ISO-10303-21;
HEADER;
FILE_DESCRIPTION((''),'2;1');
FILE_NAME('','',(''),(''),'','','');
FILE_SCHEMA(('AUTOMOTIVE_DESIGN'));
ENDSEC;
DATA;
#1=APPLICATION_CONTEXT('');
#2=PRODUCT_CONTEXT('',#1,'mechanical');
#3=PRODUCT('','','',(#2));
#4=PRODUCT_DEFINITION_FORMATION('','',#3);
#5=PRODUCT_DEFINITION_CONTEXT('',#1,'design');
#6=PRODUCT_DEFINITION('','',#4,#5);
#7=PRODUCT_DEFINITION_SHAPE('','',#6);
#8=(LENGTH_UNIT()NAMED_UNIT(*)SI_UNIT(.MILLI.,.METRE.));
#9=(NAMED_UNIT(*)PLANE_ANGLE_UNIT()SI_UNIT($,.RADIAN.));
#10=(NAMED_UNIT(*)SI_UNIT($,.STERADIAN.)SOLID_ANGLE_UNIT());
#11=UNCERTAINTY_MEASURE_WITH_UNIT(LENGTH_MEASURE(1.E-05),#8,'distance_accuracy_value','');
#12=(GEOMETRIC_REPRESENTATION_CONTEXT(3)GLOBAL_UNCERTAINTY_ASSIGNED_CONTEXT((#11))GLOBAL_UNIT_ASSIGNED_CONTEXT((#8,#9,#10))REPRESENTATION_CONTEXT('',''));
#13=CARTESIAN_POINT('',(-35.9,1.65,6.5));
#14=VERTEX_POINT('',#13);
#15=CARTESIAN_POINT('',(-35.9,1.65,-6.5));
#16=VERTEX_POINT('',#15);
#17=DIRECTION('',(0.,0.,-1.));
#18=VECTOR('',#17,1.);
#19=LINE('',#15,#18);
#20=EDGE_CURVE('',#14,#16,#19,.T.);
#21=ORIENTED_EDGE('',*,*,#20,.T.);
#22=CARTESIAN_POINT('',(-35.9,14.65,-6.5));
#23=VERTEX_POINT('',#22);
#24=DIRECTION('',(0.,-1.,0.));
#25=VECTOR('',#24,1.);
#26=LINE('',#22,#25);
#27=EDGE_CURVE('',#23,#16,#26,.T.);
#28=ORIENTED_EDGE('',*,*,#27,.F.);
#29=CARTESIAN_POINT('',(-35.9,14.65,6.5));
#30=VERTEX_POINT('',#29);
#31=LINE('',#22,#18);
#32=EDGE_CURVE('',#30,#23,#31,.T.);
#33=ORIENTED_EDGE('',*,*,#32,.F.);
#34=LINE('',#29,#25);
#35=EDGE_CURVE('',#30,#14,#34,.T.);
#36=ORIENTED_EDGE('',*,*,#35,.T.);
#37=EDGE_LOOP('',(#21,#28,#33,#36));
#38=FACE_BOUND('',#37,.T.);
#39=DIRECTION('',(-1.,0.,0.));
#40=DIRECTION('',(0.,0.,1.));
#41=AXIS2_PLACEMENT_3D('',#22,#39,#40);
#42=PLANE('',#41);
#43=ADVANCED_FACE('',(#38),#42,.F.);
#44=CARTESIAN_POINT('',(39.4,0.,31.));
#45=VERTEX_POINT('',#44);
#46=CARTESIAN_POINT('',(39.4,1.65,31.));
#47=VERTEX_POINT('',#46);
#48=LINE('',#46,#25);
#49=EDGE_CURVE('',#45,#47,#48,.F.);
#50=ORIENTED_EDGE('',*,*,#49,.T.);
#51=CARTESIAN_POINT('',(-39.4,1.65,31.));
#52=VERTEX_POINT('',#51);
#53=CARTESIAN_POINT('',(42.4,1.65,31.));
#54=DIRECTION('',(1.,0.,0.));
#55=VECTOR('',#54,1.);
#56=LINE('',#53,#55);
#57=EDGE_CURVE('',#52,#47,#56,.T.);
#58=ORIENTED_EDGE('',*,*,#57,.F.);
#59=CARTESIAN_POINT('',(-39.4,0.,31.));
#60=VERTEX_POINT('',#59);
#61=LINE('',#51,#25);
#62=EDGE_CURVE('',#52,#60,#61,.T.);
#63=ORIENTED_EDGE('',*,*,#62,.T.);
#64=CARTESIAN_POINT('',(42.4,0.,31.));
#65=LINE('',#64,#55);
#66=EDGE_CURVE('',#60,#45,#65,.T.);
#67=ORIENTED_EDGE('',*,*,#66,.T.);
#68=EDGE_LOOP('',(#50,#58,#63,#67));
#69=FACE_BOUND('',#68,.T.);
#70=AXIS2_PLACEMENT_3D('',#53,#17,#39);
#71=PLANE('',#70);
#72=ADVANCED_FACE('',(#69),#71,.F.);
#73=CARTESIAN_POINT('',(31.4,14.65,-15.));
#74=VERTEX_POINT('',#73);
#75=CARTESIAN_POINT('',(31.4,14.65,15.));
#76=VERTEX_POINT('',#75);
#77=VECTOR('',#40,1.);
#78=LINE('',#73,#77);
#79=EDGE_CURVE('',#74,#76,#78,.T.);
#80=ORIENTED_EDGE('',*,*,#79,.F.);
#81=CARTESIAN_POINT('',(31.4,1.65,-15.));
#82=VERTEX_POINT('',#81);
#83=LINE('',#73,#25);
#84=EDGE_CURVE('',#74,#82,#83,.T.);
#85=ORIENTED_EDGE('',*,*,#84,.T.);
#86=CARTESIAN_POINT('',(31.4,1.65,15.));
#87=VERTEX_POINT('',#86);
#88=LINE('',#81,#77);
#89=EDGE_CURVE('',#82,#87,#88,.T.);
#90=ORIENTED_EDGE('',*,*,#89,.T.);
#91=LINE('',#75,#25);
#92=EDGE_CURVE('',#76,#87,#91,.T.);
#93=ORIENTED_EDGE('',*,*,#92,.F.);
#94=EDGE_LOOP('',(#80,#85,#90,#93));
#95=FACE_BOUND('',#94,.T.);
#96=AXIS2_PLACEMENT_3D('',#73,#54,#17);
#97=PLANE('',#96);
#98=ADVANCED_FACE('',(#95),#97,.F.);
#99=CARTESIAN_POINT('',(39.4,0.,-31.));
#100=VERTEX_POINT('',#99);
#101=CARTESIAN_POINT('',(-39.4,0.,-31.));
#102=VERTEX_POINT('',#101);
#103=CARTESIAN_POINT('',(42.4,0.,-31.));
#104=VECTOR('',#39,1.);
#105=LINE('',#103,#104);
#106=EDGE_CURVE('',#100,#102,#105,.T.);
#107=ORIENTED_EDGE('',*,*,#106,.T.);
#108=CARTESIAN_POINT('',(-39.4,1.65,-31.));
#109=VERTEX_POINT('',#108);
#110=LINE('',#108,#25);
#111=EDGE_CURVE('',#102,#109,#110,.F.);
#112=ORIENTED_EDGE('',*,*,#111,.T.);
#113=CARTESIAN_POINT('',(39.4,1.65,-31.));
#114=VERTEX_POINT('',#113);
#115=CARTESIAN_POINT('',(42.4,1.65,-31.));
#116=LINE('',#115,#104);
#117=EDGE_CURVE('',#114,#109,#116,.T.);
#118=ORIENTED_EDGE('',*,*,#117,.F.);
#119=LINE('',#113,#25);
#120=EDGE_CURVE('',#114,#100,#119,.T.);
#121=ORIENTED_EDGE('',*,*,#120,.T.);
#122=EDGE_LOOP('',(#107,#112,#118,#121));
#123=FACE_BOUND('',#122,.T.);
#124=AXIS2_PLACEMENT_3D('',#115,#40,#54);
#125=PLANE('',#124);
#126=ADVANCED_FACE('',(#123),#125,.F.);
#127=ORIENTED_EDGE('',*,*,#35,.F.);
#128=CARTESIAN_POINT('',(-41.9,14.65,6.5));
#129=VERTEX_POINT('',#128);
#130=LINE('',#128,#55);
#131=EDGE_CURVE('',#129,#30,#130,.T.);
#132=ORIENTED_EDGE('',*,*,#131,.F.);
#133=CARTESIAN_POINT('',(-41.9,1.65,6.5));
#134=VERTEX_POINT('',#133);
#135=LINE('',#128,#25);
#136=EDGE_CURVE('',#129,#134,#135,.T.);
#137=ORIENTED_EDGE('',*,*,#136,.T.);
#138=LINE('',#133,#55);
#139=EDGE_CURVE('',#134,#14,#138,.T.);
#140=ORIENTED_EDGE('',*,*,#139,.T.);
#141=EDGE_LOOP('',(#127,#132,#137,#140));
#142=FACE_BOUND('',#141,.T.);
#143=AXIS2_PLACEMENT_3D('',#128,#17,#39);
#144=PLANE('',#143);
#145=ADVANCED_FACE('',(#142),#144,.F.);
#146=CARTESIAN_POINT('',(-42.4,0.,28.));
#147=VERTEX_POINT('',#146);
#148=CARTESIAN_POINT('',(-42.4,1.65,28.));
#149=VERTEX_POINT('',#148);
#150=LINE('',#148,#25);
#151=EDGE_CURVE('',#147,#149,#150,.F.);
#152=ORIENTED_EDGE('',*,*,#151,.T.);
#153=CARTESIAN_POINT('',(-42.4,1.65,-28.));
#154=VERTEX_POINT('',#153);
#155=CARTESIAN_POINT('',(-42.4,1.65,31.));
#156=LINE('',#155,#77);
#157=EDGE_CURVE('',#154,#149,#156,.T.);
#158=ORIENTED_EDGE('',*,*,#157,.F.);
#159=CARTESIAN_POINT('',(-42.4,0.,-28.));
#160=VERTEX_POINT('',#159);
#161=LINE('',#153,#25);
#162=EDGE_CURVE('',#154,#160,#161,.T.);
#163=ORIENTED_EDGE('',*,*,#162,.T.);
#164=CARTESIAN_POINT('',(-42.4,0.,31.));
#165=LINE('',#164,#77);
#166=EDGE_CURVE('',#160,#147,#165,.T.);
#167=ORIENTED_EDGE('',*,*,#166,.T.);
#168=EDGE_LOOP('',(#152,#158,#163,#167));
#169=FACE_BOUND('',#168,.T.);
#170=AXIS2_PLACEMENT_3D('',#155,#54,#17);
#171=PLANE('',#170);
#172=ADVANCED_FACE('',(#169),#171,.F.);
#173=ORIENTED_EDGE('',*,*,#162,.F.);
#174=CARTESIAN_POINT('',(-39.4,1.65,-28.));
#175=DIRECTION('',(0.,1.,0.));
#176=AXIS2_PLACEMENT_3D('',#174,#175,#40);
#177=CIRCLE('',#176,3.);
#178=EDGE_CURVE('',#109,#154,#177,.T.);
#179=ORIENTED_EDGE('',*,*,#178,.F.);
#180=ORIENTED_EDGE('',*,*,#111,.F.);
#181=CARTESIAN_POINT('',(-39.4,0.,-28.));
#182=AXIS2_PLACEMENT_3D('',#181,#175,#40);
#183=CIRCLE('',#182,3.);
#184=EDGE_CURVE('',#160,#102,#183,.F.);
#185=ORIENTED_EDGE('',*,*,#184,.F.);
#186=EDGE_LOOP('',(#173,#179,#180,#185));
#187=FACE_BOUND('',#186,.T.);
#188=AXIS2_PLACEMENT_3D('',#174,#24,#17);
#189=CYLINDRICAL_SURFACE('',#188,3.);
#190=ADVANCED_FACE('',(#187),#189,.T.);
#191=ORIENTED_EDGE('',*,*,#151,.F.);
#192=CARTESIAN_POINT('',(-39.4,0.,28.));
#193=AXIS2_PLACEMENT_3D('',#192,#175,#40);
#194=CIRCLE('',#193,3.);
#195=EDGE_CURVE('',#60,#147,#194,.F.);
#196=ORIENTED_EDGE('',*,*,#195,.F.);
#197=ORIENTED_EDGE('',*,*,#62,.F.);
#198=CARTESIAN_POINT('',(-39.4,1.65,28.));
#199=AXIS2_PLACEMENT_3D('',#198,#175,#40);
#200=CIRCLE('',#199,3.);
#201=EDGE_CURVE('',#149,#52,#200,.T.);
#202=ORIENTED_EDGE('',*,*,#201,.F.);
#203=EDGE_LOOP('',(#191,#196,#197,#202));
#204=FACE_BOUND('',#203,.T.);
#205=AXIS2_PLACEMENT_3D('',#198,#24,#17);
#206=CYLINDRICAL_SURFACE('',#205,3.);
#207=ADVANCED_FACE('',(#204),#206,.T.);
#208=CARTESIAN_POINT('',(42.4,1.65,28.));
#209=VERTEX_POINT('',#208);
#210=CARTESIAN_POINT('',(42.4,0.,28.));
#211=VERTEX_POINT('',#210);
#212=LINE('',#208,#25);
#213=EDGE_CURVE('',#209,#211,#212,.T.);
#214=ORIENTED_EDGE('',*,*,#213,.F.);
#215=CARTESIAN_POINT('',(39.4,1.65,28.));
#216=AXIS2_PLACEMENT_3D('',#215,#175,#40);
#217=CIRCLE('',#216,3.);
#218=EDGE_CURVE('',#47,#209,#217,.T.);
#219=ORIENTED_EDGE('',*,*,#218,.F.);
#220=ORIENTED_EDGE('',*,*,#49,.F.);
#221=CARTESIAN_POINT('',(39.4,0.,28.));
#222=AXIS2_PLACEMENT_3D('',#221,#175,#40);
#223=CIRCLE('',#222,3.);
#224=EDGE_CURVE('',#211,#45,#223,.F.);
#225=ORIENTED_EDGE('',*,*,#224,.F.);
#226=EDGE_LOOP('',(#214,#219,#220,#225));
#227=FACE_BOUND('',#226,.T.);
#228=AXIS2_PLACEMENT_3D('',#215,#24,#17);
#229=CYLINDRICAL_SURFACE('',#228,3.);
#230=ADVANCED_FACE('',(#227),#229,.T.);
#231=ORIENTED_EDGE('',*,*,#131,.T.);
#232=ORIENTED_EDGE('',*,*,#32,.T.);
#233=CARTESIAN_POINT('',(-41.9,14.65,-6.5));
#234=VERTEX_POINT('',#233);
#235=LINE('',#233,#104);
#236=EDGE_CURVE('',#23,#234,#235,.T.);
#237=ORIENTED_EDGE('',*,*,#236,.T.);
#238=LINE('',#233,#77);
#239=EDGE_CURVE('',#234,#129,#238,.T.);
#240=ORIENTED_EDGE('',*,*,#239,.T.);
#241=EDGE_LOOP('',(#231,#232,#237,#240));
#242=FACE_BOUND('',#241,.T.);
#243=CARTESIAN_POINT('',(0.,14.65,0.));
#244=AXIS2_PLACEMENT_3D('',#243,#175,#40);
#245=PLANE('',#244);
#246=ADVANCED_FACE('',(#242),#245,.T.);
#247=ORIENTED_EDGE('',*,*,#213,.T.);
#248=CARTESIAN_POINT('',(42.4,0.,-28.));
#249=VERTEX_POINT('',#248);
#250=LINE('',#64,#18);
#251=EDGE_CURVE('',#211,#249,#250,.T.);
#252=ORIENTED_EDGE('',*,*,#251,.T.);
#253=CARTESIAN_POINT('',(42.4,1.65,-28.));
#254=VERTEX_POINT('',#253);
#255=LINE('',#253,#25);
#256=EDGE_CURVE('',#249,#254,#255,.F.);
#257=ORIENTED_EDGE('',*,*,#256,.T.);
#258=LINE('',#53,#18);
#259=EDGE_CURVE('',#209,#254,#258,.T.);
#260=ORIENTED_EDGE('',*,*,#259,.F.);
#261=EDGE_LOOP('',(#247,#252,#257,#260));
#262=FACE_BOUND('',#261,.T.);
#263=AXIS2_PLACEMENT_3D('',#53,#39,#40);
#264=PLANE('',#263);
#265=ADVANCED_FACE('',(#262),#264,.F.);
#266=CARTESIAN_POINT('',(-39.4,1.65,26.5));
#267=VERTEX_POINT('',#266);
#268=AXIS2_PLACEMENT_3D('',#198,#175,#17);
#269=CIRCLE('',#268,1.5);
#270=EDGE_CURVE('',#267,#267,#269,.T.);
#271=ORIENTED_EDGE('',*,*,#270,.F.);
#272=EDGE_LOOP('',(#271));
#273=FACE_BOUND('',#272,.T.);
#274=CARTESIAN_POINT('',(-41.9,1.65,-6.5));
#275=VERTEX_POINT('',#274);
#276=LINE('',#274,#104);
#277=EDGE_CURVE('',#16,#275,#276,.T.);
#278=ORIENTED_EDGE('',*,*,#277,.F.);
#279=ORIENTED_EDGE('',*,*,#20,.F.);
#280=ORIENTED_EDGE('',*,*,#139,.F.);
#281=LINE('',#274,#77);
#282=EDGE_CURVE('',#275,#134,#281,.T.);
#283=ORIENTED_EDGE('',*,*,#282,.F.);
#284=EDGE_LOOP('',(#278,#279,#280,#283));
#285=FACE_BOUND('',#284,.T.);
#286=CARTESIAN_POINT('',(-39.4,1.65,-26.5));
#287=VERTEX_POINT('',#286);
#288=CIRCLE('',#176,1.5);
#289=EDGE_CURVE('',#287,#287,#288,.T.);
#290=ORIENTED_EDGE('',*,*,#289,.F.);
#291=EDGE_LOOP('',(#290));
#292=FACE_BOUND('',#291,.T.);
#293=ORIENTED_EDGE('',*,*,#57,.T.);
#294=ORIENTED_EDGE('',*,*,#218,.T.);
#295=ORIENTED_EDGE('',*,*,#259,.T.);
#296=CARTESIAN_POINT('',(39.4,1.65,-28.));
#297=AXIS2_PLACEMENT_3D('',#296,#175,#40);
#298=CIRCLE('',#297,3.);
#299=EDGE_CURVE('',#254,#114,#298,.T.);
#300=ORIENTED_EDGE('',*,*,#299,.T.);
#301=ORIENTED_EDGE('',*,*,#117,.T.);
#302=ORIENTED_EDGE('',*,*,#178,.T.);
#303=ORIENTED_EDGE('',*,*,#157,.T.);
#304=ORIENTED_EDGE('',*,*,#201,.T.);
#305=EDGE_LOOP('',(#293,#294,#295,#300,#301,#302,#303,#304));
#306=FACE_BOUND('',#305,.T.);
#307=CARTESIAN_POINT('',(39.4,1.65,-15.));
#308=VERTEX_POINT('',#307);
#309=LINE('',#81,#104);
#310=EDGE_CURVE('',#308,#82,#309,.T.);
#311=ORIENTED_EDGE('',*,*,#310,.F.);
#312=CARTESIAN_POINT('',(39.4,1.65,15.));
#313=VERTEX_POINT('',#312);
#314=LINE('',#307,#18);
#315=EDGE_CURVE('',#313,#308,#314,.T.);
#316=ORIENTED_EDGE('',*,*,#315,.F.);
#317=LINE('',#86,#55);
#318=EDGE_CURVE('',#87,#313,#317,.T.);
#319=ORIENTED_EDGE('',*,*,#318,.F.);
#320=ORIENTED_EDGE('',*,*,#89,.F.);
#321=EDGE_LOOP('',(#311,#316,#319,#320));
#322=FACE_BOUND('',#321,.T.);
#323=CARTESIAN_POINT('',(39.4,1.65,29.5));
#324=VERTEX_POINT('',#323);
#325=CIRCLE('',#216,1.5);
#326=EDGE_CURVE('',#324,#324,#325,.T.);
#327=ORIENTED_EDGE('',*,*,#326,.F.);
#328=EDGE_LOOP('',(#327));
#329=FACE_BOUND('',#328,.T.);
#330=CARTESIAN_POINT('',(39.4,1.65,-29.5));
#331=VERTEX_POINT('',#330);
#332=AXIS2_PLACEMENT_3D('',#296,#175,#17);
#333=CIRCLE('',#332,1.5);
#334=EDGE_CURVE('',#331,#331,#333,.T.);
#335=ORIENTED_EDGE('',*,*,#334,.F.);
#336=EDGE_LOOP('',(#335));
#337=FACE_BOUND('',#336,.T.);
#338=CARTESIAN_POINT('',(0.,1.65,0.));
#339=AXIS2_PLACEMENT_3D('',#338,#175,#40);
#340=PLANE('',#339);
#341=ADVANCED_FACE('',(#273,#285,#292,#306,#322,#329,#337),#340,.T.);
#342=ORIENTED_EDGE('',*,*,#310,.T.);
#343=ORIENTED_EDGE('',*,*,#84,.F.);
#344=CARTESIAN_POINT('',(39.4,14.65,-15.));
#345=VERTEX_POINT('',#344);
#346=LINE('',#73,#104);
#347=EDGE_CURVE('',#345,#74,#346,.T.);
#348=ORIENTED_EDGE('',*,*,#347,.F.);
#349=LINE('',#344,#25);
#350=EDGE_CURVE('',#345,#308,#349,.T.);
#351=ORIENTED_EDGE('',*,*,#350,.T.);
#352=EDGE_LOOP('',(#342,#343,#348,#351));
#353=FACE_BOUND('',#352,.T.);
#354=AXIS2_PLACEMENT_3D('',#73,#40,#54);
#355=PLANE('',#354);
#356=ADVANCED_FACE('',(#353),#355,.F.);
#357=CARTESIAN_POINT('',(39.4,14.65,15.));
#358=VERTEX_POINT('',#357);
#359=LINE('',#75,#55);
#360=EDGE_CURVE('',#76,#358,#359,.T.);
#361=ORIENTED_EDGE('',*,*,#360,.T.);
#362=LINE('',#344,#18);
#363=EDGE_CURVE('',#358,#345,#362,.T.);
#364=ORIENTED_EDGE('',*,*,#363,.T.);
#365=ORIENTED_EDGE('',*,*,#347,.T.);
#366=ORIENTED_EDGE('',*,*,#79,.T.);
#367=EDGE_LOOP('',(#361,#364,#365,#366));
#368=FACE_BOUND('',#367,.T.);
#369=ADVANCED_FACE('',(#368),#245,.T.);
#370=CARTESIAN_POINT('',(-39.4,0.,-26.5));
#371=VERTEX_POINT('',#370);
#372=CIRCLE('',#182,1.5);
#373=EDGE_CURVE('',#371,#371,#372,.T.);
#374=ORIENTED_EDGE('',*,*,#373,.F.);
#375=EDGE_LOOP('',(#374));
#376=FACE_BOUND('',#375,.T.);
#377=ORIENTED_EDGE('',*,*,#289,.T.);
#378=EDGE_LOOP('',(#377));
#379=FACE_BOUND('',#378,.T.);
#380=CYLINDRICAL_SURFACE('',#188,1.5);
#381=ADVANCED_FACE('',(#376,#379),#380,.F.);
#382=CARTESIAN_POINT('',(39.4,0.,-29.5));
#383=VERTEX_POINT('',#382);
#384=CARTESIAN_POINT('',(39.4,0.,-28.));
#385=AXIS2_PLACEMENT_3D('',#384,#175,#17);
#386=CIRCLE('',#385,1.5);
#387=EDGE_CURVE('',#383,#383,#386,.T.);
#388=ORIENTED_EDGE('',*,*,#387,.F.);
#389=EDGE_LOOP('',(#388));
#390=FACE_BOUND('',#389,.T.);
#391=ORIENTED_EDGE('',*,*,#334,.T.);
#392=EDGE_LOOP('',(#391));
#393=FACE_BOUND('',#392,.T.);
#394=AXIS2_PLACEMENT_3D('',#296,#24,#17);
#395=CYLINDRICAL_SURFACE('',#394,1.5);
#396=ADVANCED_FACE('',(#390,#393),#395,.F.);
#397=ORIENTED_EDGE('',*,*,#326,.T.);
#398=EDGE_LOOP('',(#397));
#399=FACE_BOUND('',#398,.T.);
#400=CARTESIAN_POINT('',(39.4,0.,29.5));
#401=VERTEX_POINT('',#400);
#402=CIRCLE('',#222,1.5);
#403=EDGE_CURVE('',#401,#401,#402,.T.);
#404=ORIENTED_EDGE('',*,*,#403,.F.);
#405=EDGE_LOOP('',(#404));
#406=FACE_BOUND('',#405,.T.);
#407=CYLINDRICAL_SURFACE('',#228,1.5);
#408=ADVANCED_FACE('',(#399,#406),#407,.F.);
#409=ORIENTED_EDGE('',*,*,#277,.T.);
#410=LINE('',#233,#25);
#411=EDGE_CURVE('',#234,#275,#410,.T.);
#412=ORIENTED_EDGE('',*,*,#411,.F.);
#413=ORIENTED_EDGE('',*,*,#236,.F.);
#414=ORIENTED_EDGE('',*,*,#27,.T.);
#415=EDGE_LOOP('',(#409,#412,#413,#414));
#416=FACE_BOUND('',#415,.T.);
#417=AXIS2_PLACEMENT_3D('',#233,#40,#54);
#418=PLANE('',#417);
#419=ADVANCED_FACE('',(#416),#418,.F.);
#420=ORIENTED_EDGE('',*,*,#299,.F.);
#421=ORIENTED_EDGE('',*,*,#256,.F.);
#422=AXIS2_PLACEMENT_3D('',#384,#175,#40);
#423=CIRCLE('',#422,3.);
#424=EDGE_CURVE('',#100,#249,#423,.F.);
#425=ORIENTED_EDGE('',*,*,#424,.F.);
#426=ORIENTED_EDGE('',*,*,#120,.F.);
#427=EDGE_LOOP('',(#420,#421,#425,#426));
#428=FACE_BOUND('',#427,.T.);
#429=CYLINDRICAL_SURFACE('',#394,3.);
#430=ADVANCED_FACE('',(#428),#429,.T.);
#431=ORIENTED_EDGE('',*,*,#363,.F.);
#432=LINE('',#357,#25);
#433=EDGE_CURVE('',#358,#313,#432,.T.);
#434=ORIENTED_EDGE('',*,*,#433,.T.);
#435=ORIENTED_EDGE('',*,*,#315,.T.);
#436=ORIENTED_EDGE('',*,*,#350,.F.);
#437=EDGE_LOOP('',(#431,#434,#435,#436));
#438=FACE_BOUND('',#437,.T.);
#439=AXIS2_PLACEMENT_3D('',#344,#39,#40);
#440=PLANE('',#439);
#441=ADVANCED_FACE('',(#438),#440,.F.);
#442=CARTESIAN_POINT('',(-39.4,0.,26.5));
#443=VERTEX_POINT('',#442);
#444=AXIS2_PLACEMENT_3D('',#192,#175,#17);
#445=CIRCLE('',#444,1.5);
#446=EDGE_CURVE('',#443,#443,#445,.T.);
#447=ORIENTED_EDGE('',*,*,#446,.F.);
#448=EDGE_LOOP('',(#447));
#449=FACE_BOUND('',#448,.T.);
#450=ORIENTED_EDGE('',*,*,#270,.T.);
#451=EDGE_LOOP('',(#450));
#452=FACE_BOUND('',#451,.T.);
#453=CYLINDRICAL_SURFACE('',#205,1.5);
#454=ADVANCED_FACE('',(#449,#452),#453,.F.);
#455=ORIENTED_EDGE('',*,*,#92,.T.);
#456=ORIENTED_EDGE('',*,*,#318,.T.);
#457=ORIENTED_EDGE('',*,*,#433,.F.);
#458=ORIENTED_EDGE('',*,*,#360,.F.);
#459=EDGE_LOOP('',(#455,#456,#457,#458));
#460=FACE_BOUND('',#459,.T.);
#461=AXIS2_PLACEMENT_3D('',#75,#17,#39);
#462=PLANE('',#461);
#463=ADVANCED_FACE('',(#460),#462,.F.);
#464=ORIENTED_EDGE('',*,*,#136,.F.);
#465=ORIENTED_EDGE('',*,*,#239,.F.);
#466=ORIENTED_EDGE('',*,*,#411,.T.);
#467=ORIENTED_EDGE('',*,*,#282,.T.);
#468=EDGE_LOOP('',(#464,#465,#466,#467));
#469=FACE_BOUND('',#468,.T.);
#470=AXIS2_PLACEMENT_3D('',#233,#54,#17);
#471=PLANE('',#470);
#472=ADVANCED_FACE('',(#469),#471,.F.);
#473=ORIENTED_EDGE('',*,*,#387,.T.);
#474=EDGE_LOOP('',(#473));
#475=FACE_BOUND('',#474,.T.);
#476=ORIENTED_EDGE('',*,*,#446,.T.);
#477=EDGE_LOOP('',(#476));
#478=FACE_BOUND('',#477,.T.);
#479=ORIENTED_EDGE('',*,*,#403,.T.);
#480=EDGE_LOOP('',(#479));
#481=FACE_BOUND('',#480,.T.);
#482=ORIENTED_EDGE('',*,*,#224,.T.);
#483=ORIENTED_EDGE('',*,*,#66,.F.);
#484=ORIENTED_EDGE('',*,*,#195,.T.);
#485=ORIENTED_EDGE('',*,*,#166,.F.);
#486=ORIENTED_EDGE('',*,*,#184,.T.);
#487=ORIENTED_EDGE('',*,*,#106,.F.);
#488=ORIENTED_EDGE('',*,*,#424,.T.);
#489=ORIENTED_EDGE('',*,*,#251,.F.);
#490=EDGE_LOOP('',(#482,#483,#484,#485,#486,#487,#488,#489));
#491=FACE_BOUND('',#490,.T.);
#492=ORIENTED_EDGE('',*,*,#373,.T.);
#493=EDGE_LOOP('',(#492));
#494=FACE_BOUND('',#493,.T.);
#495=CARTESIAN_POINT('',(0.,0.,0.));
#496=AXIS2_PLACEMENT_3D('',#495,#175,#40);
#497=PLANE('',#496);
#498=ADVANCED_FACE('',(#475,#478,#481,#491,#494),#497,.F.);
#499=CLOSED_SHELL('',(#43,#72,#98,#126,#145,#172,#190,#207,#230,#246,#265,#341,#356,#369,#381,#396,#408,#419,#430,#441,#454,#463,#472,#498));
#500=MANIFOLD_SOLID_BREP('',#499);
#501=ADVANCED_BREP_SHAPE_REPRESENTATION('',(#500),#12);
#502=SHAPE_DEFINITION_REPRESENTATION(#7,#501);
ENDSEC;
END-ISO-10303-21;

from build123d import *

# Parameters (mm, degrees)
SKETCH1_W           = 84.8
SKETCH1_H           = 62
SKETCH1_R           = 1.5
BOSS_EXTRUDE1_DEPTH = 1.65
FILLET1_R           = 3
SKETCH2_W           = 6
SKETCH2_H           = 13
SKETCH2_W_2         = 8
SKETCH2_H_2         = 30
BOSS_EXTRUDE2_DEPTH = 13


with BuildPart() as part:
    # Sketch1 → Boss-Extrude1 (new body)
    with BuildSketch(Plane(origin=(0, 0, 0), x_dir=(1, 0, 0), z_dir=(0, 1, 0))):
        Rectangle(SKETCH1_W, SKETCH1_H)
        with Locations((-39.4, 28)):
            Circle(SKETCH1_R, mode=Mode.SUBTRACT)
        with Locations((39.4, 28)):
            Circle(SKETCH1_R, mode=Mode.SUBTRACT)
        with Locations((39.4, -28)):
            Circle(SKETCH1_R, mode=Mode.SUBTRACT)
        with Locations((-39.4, -28)):
            Circle(SKETCH1_R, mode=Mode.SUBTRACT)
    extrude(amount=BOSS_EXTRUDE1_DEPTH)

    # Fillet1
    fillet1_edges = [part.edges().sort_by_distance(p)[0] for p in [
        (-42.4, 0.825, -31),
        (42.4, 0.825, -31),
        (42.4, 0.825, 31),
        (-42.4, 0.825, 31),
    ]]
    fillet(fillet1_edges, radius=FILLET1_R)

    # Sketch2 → Boss-Extrude2 (add)
    with BuildSketch(Plane(origin=(0, 1.65, 0), x_dir=(1, 0, 0), z_dir=(0, 1, 0))):
        with Locations((-38.9, 0)):
            Rectangle(SKETCH2_W, SKETCH2_H)
        with Locations((35.4, 0)):
            Rectangle(SKETCH2_W_2, SKETCH2_H_2)
    extrude(amount=BOSS_EXTRUDE2_DEPTH)


solid = part.part
